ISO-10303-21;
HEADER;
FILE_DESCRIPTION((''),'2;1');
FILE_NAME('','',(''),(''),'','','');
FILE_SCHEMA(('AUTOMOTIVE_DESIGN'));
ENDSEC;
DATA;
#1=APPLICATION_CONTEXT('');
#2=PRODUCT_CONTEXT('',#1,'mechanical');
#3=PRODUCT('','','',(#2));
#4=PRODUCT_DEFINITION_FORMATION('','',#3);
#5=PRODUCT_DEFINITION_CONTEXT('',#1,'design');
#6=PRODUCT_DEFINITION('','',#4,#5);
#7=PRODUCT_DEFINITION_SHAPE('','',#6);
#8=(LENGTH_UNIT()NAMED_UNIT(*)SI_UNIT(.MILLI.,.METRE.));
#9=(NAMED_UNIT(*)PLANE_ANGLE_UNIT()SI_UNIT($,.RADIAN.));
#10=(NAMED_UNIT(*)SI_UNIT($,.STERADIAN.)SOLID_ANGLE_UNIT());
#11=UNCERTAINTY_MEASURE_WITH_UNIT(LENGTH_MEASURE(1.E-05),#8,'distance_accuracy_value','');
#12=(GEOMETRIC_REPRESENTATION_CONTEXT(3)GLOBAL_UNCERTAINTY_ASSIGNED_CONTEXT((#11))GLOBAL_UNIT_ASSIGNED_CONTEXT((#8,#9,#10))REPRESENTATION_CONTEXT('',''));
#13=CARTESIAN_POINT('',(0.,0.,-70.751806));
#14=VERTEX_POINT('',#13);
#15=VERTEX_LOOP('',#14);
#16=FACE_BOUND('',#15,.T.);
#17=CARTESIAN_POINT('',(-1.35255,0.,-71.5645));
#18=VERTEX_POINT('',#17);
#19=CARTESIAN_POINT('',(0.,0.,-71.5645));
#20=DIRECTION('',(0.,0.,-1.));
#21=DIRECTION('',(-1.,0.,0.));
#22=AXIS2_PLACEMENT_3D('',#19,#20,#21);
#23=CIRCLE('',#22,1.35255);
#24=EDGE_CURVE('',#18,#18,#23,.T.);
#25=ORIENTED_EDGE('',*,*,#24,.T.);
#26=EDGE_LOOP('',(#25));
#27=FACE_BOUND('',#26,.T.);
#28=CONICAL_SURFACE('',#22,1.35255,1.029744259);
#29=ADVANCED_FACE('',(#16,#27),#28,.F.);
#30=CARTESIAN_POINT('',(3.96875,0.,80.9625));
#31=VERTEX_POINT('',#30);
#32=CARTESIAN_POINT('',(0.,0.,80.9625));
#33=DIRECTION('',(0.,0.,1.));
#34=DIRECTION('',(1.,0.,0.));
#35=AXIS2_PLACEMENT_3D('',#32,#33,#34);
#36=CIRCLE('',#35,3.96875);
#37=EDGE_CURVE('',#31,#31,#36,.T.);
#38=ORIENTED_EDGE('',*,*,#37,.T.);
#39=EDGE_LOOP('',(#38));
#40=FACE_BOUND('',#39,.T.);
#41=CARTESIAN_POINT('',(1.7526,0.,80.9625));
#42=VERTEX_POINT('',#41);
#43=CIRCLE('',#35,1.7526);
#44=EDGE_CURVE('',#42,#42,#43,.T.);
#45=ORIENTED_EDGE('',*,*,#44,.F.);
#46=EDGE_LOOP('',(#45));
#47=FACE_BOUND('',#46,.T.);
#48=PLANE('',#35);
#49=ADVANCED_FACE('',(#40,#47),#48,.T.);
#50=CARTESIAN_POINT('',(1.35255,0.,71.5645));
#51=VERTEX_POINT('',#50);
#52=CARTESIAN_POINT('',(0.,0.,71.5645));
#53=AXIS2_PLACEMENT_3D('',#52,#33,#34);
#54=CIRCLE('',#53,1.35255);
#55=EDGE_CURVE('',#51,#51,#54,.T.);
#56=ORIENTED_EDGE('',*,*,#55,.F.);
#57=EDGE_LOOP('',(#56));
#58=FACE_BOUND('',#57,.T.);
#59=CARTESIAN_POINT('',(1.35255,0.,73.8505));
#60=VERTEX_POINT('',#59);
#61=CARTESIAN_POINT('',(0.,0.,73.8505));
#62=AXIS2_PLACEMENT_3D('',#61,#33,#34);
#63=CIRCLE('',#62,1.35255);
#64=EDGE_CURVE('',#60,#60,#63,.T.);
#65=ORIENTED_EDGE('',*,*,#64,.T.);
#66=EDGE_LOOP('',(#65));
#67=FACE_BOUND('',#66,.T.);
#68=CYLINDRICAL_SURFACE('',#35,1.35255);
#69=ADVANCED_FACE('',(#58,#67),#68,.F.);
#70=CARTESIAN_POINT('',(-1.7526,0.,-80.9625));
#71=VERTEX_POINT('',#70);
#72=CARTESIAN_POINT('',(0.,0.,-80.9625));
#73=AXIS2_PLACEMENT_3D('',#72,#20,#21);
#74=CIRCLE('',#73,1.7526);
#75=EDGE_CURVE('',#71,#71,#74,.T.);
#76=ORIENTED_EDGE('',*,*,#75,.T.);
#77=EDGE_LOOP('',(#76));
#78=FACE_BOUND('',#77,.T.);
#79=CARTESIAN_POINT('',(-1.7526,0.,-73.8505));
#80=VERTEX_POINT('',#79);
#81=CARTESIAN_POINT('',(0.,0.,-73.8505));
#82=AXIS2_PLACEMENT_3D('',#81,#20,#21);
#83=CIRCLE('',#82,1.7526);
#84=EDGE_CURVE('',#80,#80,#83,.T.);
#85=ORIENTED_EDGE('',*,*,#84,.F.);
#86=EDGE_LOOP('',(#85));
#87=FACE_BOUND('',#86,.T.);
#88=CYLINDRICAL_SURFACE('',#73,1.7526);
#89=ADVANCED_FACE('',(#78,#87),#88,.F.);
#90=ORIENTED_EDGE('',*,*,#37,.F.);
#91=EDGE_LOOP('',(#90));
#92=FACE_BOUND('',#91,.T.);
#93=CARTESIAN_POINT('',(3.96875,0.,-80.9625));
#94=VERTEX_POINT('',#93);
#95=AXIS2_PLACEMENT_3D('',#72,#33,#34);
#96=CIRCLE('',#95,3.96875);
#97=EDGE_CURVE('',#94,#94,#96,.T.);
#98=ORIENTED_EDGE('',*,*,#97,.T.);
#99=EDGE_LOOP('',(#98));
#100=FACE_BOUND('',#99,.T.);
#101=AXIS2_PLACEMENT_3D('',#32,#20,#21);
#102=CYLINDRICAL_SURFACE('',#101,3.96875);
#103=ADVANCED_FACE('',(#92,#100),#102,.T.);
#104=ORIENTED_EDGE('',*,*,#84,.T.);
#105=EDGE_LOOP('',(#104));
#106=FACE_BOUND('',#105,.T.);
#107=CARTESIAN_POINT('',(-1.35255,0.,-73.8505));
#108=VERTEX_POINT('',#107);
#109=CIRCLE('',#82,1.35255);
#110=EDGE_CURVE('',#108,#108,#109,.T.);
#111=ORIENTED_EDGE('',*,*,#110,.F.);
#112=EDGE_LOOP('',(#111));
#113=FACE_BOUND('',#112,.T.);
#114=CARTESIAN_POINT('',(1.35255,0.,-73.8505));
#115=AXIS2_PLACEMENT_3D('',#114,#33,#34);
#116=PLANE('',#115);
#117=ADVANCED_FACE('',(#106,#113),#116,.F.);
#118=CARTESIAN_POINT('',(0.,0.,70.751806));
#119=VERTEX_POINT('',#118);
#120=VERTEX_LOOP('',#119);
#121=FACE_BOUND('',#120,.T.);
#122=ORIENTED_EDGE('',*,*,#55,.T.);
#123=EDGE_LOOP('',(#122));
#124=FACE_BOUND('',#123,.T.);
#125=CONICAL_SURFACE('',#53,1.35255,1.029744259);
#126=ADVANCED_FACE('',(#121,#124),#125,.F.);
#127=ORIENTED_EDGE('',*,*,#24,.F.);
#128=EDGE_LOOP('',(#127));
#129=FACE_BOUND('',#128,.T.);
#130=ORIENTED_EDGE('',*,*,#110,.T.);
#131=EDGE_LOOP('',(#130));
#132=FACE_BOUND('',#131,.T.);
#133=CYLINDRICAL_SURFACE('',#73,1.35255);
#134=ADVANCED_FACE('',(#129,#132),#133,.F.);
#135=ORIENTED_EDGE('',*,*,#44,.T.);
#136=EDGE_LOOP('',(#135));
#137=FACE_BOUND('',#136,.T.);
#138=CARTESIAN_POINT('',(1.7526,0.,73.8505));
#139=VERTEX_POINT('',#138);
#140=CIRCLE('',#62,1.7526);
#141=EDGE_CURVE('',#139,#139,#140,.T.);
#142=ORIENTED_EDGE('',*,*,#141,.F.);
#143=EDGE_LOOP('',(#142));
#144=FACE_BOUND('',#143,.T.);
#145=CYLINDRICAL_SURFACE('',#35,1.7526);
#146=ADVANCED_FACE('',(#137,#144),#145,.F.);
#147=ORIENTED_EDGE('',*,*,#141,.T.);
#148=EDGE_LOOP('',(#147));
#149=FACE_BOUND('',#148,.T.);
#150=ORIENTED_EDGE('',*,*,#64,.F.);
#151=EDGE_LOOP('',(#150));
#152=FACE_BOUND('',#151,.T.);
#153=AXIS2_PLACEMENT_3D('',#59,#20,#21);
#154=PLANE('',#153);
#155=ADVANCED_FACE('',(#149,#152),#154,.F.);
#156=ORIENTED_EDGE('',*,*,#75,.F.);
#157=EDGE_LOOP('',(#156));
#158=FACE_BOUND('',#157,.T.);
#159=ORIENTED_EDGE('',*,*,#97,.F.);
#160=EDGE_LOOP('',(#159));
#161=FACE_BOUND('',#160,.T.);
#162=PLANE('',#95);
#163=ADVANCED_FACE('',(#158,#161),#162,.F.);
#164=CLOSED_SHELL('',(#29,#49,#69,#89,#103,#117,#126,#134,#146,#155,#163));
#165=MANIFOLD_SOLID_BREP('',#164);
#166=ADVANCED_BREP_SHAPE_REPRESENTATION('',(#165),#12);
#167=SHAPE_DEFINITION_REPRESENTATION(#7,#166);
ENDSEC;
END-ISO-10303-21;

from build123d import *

# Parameters (mm, degrees)
SKETCH1_R                       = 3.96875
BOSS_EXTRUDE1_DEPTH             = 80.9625
F_6_32_TAPPED_HOLE1_D           = 2.7051
F_6_32_TAPPED_HOLE1_DEPTH       = 9.398
F_6_32_TAPPED_HOLE1_CBORE_D     = 3.5052
F_6_32_TAPPED_HOLE1_CBORE_DEPTH = 7.112
F_6_32_TAPPED_HOLE1_TIP         = 0.81269403
F_6_32_TAPPED_HOLE2_D           = 2.7051
F_6_32_TAPPED_HOLE2_DEPTH       = 9.398
F_6_32_TAPPED_HOLE2_CBORE_D     = 3.5052
F_6_32_TAPPED_HOLE2_CBORE_DEPTH = 7.112
F_6_32_TAPPED_HOLE2_TIP         = 0.81269403


with BuildPart() as part:
    # Sketch1 → Boss-Extrude1 (new, symmetric)
    with BuildSketch(Plane.XY):
        Circle(SKETCH1_R)
    extrude(amount=BOSS_EXTRUDE1_DEPTH, both=True)

    # #6-32 Tapped Hole1
    with Locations(Plane(origin=(0, 0, -80.9625), x_dir=(-1, 0, 0), z_dir=(0, 0, -1))):
        with Locations((0, 0)):
            CounterBoreHole(F_6_32_TAPPED_HOLE1_D / 2, F_6_32_TAPPED_HOLE1_CBORE_D / 2, F_6_32_TAPPED_HOLE1_CBORE_DEPTH, depth=F_6_32_TAPPED_HOLE1_DEPTH)
            with Locations((0, 0, -(F_6_32_TAPPED_HOLE1_DEPTH + F_6_32_TAPPED_HOLE1_TIP / 2))):  # 118° drill point
                Cone(0, F_6_32_TAPPED_HOLE1_D / 2, F_6_32_TAPPED_HOLE1_TIP, mode=Mode.SUBTRACT)

    # #6-32 Tapped Hole2
    with Locations(Plane.XY.offset(80.9625)):
        with Locations((0, 0)):
            CounterBoreHole(F_6_32_TAPPED_HOLE2_D / 2, F_6_32_TAPPED_HOLE2_CBORE_D / 2, F_6_32_TAPPED_HOLE2_CBORE_DEPTH, depth=F_6_32_TAPPED_HOLE2_DEPTH)
            with Locations((0, 0, -(F_6_32_TAPPED_HOLE2_DEPTH + F_6_32_TAPPED_HOLE2_TIP / 2))):  # 118° drill point
                Cone(0, F_6_32_TAPPED_HOLE2_D / 2, F_6_32_TAPPED_HOLE2_TIP, mode=Mode.SUBTRACT)


solid = part.part
